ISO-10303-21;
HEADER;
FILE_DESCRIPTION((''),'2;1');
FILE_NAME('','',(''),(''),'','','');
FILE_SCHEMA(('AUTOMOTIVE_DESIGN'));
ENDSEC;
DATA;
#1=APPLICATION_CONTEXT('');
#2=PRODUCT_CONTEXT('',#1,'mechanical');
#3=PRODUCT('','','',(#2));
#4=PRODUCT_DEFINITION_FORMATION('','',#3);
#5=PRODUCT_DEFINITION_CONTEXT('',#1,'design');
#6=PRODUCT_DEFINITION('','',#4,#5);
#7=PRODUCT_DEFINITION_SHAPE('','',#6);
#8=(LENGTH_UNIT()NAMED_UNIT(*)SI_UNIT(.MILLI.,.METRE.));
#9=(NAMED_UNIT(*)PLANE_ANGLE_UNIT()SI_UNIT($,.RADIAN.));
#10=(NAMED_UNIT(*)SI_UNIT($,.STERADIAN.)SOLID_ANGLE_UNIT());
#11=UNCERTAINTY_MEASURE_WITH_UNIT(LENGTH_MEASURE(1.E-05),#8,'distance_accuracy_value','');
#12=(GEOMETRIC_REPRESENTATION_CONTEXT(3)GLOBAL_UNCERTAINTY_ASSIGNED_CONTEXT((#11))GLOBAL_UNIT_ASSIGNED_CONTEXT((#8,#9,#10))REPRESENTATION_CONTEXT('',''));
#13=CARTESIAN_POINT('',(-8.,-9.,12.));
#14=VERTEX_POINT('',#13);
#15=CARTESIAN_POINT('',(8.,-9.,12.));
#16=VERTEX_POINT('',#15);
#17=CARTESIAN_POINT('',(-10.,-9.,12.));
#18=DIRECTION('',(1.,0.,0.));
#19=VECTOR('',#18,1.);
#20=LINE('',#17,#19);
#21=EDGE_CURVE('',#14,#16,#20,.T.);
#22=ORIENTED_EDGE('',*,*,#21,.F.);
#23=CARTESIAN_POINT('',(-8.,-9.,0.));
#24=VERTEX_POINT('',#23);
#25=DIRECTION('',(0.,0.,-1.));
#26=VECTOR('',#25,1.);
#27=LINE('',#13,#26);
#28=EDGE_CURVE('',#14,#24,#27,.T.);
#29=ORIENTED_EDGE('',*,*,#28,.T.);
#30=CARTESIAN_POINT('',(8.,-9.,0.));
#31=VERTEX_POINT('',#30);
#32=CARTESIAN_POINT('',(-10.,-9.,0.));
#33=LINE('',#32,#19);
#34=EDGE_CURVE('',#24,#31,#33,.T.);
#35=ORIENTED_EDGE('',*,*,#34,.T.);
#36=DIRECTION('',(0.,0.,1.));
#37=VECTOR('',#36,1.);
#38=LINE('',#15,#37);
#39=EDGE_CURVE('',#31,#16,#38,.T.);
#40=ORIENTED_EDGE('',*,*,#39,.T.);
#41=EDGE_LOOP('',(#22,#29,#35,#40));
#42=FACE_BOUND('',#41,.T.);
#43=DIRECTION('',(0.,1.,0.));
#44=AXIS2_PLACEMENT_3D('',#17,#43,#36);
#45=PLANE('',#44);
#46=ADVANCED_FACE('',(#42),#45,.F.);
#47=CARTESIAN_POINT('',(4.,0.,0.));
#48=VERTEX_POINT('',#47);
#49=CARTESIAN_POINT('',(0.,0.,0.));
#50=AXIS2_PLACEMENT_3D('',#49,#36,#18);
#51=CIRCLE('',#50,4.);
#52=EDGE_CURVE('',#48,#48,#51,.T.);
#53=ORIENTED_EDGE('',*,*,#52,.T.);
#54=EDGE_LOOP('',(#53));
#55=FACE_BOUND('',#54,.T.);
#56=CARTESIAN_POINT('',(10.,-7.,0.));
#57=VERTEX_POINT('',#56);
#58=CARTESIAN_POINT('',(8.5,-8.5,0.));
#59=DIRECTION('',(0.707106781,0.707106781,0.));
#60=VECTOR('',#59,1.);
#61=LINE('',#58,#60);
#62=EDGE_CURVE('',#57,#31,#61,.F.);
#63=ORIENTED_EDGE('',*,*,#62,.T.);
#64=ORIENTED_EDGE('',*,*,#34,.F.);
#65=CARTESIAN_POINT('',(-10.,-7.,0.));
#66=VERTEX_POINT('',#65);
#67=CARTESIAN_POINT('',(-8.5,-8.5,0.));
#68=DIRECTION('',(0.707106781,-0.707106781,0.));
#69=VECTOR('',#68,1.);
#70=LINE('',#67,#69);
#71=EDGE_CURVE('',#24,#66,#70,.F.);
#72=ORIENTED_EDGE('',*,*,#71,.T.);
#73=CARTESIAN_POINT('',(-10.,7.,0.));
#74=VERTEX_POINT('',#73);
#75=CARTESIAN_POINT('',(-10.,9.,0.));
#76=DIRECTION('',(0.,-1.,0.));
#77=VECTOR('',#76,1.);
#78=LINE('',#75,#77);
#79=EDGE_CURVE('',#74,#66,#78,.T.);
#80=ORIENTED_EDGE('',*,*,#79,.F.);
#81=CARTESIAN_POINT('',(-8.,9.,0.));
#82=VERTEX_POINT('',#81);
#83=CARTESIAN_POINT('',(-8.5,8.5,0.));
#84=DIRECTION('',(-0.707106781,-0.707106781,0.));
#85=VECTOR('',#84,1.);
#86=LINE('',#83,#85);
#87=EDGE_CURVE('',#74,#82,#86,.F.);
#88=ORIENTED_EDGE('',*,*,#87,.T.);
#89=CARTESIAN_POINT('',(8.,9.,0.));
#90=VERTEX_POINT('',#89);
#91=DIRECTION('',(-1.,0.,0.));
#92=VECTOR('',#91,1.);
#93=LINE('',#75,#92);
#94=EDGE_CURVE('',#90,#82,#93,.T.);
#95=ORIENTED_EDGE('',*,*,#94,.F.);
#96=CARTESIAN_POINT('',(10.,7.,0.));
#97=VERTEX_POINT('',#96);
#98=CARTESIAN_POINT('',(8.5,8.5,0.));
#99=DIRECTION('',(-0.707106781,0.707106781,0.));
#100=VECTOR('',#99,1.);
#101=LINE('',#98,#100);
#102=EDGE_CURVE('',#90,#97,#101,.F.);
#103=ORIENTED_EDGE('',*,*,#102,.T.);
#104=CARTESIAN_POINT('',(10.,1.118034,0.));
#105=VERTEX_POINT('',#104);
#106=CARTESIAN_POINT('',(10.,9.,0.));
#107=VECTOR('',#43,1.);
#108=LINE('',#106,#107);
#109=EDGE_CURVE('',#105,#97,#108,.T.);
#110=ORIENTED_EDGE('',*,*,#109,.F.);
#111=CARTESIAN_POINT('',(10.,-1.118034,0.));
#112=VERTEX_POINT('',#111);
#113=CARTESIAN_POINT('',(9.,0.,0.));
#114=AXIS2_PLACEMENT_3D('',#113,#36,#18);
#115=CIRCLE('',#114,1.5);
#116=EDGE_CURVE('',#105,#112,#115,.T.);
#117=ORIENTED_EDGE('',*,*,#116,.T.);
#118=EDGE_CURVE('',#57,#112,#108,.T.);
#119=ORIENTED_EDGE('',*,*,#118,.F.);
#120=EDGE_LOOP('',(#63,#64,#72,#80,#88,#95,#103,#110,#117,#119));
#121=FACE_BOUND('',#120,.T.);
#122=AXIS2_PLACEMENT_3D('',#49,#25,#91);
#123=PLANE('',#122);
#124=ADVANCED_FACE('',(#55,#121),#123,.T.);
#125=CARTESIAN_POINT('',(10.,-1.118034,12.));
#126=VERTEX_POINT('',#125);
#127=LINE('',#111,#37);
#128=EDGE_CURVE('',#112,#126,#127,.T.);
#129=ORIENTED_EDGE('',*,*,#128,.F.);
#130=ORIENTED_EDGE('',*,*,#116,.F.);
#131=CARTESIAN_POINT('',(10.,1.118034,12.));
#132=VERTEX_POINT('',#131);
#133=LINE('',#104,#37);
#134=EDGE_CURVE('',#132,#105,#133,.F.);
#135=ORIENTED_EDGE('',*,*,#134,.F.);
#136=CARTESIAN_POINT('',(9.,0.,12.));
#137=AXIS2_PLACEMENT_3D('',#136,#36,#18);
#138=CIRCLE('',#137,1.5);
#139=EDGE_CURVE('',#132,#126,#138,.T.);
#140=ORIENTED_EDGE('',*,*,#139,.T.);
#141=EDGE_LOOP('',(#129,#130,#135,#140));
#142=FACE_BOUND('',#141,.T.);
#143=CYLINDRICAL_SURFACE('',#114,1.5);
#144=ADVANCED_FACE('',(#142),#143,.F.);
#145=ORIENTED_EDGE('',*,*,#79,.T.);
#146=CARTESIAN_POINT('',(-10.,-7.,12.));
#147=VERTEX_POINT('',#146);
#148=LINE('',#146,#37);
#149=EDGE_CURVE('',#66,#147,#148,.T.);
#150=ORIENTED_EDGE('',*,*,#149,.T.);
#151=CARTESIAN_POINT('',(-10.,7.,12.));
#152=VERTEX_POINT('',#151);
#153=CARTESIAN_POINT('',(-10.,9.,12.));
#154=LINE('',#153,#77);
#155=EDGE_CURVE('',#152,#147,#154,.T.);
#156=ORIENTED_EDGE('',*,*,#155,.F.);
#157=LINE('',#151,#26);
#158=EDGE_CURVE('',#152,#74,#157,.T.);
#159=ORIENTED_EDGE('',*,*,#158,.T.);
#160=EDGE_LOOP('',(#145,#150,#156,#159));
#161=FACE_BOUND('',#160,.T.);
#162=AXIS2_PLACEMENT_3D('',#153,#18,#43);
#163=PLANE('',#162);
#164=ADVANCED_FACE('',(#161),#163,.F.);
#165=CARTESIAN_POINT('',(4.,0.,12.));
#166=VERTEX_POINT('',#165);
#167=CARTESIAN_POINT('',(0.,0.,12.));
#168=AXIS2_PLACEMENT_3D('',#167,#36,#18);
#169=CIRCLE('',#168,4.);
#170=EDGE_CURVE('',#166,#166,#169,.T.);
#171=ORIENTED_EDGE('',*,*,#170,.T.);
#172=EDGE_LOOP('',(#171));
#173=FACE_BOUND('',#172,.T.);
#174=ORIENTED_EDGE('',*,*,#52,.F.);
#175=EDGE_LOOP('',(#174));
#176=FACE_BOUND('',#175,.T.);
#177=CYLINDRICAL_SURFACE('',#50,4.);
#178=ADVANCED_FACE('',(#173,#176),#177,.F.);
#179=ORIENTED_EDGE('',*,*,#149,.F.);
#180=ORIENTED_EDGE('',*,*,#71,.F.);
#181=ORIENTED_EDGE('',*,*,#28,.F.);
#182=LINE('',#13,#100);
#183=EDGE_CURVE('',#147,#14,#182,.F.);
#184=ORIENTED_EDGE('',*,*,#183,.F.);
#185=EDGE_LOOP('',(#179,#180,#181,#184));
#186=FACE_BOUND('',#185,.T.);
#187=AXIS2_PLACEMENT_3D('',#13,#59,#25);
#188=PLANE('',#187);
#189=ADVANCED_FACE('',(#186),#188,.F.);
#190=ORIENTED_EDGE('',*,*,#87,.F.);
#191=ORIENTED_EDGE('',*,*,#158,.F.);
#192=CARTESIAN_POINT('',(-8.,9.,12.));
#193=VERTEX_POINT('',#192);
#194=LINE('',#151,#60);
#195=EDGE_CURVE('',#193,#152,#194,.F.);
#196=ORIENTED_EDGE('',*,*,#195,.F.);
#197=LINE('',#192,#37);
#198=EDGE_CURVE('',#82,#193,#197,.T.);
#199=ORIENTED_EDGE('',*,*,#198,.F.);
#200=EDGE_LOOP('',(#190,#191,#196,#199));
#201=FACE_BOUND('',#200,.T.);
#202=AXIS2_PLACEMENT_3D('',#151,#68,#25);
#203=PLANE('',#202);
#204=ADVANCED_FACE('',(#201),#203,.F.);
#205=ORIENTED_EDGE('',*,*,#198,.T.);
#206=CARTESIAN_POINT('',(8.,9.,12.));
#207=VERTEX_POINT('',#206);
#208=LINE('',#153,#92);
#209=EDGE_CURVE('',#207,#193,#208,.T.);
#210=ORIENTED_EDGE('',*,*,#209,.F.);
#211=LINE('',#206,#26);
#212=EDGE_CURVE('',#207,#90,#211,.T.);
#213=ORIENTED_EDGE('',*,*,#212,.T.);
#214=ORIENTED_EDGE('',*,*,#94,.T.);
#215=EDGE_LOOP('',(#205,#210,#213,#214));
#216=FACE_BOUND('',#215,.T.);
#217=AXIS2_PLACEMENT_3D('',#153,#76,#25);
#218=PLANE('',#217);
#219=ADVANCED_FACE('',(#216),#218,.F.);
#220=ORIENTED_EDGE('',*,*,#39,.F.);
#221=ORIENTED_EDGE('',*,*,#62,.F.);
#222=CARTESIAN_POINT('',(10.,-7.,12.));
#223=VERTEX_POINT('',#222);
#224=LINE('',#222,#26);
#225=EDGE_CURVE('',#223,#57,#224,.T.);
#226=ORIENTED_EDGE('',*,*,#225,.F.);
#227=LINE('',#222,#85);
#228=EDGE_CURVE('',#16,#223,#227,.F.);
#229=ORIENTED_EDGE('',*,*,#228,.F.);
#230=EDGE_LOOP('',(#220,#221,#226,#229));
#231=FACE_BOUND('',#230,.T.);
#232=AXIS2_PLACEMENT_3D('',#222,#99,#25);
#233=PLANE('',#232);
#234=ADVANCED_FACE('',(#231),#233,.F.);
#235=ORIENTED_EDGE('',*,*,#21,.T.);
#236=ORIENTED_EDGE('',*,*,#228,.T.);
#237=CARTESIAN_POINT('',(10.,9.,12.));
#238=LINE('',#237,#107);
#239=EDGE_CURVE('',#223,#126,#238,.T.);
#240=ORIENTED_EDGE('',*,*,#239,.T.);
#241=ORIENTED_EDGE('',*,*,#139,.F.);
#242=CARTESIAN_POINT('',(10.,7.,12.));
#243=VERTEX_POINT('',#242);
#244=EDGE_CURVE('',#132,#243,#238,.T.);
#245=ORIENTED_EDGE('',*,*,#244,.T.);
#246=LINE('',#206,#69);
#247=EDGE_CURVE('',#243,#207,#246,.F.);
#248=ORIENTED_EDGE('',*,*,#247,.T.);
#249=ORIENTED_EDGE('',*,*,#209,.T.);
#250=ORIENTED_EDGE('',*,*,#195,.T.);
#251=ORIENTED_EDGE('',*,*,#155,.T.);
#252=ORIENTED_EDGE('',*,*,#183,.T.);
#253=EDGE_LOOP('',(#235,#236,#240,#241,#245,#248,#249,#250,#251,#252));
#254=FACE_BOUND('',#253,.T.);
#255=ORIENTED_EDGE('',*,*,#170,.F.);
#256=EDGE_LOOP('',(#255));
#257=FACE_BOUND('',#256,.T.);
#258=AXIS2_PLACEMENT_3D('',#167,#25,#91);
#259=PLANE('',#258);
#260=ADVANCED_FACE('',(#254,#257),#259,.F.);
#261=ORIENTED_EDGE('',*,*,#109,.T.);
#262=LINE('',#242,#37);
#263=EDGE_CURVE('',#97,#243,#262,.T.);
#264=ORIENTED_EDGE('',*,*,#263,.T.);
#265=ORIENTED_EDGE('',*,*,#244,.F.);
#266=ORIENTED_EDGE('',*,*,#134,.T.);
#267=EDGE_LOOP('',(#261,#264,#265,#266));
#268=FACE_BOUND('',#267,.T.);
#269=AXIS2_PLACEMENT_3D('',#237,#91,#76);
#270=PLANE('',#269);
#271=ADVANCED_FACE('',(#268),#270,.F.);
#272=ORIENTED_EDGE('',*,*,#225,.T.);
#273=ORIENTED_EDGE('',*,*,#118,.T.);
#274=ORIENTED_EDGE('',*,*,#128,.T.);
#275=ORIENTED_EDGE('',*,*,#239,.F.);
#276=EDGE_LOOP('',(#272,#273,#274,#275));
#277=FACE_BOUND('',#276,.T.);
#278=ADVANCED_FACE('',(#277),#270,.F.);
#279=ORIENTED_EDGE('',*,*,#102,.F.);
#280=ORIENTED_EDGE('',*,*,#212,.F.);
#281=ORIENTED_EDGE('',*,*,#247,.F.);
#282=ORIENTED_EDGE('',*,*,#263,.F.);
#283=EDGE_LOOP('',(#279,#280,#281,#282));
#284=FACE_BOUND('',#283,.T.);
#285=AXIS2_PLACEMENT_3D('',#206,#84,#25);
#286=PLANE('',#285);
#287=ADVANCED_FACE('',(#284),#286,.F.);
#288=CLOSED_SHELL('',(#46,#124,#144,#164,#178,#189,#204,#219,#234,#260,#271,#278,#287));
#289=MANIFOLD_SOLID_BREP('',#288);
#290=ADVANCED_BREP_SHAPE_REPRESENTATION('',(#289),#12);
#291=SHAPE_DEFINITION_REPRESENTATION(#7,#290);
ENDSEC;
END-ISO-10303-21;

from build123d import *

# Parameters (mm, degrees)
SKETCH1_W           = 20
SKETCH1_H           = 18
BOSS_EXTRUDE1_DEPTH = 12
SKETCH2_R           = 1.5
SKETCH2_R_2         = 4
CUT_EXTRUDE1_DEPTH  = 13
CHAMFER1_SIZE       = 2


with BuildPart() as part:
    # Sketch1 → Boss-Extrude1 (new body)
    with BuildSketch(Plane.XY):
        Rectangle(SKETCH1_W, SKETCH1_H)
    extrude(amount=BOSS_EXTRUDE1_DEPTH)

    # Sketch2 → Cut-Extrude1 (cut, through all)
    with BuildSketch(Plane.XY.offset(12)):
        with Locations((9, 0)):
            Circle(SKETCH2_R)
        Circle(SKETCH2_R_2)
    extrude(amount=-CUT_EXTRUDE1_DEPTH, mode=Mode.SUBTRACT)

    # Chamfer1
    chamfer1_edges = [part.edges().sort_by_distance(p)[0] for p in [
        (10, 9, 6),
        (10, -9, 6),
        (-10, -9, 6),
        (-10, 9, 6),
    ]]
    chamfer(chamfer1_edges, length=CHAMFER1_SIZE)


solid = part.part
